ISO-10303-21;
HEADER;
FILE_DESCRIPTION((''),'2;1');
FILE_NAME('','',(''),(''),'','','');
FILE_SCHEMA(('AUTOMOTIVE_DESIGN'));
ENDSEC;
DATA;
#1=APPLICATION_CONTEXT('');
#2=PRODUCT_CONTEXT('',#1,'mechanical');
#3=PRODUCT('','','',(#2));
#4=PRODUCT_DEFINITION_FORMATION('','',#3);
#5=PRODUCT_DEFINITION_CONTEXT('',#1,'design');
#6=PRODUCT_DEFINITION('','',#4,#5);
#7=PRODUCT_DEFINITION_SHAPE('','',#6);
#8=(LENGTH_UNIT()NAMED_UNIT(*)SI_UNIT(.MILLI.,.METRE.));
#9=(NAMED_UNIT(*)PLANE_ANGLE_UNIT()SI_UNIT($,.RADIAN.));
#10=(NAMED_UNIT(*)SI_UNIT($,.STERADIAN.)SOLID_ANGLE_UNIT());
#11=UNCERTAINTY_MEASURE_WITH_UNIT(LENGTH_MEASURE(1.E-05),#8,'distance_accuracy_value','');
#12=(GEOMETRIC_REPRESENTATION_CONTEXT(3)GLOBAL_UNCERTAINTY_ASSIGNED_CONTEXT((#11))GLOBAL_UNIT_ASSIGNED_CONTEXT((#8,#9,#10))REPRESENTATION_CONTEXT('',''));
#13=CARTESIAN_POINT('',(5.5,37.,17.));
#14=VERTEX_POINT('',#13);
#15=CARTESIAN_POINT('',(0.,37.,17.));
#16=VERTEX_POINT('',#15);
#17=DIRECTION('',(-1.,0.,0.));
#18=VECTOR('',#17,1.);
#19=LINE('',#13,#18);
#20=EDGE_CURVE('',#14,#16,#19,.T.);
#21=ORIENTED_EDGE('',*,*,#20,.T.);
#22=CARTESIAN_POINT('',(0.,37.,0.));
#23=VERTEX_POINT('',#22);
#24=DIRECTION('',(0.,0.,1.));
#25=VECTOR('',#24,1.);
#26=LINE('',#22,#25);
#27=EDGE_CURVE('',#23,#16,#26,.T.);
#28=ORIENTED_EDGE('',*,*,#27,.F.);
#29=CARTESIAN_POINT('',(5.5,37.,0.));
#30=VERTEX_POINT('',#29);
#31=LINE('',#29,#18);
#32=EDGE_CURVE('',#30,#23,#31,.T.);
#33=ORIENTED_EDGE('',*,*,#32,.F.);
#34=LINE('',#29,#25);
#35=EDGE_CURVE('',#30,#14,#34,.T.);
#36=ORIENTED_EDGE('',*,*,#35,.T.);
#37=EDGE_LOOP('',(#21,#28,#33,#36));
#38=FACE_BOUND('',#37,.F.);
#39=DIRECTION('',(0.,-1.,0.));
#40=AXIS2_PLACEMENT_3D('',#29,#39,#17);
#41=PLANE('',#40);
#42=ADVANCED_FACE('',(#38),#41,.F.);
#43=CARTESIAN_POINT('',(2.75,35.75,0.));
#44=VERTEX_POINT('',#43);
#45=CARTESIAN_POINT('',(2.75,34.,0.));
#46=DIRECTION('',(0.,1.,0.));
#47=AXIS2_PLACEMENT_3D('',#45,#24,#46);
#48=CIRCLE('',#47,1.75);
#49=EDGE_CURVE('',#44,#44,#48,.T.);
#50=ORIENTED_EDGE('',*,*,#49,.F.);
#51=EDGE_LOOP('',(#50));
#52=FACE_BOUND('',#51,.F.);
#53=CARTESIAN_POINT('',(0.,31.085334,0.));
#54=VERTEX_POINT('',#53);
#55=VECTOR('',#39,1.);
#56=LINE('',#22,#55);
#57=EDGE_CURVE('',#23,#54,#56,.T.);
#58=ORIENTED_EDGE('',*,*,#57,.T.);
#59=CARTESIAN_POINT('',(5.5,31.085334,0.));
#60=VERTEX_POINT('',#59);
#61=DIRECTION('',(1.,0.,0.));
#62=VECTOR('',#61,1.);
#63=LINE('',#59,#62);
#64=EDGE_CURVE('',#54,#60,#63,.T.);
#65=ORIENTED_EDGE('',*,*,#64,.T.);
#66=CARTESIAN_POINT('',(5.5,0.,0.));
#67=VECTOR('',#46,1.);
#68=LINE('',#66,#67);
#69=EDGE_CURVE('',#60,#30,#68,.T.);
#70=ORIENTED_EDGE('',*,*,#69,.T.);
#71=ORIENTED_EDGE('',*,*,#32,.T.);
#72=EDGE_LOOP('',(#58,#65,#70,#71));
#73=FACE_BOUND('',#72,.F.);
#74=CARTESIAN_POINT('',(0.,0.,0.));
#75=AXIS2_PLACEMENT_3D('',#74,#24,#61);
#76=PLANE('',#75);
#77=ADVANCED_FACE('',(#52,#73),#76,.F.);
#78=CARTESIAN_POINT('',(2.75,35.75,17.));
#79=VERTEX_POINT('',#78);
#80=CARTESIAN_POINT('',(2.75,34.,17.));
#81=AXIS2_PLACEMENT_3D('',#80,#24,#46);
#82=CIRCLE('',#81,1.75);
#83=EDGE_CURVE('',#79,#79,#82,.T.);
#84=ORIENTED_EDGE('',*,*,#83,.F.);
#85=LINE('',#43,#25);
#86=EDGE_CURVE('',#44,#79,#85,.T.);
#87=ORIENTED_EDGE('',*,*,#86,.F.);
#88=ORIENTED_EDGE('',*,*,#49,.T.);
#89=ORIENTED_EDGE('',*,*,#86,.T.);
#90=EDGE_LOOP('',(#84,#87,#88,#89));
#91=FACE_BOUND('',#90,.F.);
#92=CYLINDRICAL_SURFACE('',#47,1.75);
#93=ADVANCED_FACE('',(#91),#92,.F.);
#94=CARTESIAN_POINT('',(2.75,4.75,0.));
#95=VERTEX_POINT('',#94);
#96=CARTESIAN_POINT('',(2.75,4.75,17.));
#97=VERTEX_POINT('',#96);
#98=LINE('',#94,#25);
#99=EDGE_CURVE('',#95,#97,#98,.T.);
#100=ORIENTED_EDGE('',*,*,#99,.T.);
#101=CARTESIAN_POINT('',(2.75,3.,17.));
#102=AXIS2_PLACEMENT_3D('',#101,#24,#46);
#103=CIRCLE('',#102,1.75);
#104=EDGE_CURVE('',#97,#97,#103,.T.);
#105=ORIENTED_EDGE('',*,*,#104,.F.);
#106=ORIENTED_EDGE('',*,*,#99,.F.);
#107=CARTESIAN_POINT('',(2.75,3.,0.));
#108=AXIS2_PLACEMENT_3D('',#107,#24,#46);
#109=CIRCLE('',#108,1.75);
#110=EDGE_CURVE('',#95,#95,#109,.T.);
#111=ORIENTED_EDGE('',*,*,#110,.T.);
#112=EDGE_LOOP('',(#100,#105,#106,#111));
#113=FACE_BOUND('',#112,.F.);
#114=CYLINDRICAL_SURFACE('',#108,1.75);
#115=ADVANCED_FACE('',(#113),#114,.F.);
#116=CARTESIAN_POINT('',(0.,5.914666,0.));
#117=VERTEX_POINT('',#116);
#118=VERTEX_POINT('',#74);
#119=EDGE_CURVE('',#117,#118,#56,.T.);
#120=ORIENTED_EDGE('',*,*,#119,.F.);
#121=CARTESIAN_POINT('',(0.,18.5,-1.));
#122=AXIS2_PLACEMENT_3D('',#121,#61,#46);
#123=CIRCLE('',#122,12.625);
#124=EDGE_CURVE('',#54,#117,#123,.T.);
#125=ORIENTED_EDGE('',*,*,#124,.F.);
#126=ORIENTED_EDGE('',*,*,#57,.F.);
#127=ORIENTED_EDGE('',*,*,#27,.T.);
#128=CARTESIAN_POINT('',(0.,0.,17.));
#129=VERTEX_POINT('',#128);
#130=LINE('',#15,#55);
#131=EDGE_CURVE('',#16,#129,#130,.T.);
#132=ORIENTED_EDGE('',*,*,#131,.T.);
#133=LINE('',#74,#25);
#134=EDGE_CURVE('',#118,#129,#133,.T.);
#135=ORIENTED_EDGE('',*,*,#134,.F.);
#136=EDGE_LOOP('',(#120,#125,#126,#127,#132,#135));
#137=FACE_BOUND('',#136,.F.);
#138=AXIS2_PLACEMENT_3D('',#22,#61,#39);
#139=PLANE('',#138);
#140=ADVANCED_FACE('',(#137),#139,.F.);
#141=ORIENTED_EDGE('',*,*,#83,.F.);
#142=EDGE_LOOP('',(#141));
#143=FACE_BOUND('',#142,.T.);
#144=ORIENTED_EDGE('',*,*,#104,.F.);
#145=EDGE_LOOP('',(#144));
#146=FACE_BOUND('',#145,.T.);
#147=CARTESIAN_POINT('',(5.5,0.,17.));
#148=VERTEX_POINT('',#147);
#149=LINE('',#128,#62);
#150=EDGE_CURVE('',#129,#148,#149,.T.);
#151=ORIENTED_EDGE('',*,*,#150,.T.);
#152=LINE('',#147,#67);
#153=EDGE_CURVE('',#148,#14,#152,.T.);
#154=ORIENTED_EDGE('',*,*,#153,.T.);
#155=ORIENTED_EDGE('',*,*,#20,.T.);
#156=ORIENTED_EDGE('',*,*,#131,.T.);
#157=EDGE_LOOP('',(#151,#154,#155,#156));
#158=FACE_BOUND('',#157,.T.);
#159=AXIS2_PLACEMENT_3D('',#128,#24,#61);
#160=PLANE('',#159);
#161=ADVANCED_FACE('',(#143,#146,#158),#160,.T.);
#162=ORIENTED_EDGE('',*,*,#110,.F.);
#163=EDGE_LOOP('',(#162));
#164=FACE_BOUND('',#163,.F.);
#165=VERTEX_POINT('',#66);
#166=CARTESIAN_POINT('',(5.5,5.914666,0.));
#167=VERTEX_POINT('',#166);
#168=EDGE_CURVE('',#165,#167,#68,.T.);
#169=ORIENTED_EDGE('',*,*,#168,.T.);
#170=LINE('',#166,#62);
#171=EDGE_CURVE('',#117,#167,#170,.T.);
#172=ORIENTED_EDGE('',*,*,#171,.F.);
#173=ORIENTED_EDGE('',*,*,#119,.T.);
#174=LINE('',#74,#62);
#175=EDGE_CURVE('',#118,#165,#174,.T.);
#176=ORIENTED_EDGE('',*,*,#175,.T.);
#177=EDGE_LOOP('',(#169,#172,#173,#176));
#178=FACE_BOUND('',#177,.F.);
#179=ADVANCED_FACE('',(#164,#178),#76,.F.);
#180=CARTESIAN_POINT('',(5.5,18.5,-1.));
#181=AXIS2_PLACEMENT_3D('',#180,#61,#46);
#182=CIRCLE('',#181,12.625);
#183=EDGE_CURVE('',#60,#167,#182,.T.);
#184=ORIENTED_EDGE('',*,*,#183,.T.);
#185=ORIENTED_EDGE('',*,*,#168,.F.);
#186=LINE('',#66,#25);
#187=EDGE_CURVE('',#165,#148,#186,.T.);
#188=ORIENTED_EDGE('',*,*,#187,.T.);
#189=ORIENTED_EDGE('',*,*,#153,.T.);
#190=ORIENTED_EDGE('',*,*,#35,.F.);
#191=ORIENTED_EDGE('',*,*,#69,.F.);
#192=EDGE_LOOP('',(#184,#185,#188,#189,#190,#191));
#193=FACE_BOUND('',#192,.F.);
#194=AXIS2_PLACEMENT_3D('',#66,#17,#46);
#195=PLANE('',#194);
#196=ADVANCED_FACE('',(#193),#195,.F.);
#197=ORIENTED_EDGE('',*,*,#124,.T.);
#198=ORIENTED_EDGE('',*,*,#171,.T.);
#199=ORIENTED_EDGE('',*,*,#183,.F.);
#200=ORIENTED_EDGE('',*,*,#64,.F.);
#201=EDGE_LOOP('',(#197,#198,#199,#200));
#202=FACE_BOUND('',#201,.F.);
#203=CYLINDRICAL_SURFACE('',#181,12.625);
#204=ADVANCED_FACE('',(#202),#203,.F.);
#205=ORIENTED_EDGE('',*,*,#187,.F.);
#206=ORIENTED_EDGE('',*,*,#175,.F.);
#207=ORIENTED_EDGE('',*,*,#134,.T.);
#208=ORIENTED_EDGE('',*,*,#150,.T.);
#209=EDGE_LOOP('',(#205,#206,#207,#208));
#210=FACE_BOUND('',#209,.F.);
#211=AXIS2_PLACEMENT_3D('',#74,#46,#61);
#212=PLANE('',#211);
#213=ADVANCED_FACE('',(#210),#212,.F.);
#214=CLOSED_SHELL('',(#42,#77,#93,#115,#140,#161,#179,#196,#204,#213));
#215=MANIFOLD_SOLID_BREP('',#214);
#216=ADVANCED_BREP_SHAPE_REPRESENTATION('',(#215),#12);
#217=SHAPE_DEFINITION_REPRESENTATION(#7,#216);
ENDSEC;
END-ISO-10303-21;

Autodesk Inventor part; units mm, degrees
ref_plane "YZ Plane" through (0, 0, 0) normal (1, 0, 0) x (0, 1, 0)
ref_plane "XZ Plane" through (0, 0, 0) normal (0, 1, 0) x (-1, 0, 0)
ref_plane "XY Plane" through (0, 0, 0) normal (0, 0, 1) x (1, 0, 0)
sketch "Sketch1" plane through (0, 0, 0) normal (0, 0, 1) x (1, 0, 0)
  line L0 (0, 0) -> (5.5, 0)
  line L1 (5.5, 0) -> (5.5, 37)
  line L2 (5.5, 37) -> (0, 37)
  line L3 (0, 37) -> (0, 0)
  line L4 (0, 0) -> (5.5, 0)
  line L5 (5.5, 0) -> (5.5, 37)
  line L6 (5.5, 37) -> (0, 37)
  line L7 (0, 37) -> (0, 0)
  line L8 (0, 0) -> (5.5, 0)
  line L9 (5.5, 0) -> (5.5, 37)
  line L10 (5.5, 37) -> (0, 37)
  line L11 (0, 37) -> (0, 0)
  line L12 (0, 0) -> (5.5, 0)
  line L13 (5.5, 0) -> (5.5, 37)
  line L14 (5.5, 37) -> (0, 37)
  line L15 (0, 37) -> (0, 0)
  point P0 (2.75, 34)
  point P1 (2.75, 3)
  point P2 (2.75, 34)
  point P3 (2.75, 3)
  point P4 (2.75, 34)
  point P5 (2.75, 3)
  point P6 (2.75, 34)
  point P7 (2.75, 3)
  dimension "d0" = 5.5
  dimension "d1" = 37
  dimension "d2" = 3
  dimension "d3" = 2.75
  dimension "d4" = 3
  dimension "d5" = 5.5
  dimension "d6" = 37
  dimension "d7" = 3
  dimension "d8" = 2.75
  dimension "d9" = 3
  dimension "d10" = 5.5
  dimension "d11" = 37
  dimension "d12" = 3
  dimension "d13" = 2.75
  dimension "d14" = 3
  dimension "d15" = 5.5
  dimension "d16" = 37
  dimension "d17" = 3
  dimension "d18" = 2.75
  dimension "d19" = 3
extrude "Extrusion1" add sketch "Sketch1" along normal blind 17
sketch "Sketch2" plane through (0, 0, 0) normal (0, 0, 1) x (1, 0, 0)
  line L0 (0, 0) -> (5.5, 0)
  line L1 (5.5, 0) -> (5.5, 37)
  line L2 (5.5, 37) -> (0, 37)
  line L3 (0, 37) -> (0, 0)
  line L4 (0, 0) -> (5.5, 0)
  line L5 (5.5, 0) -> (5.5, 37)
  line L6 (5.5, 37) -> (0, 37)
  line L7 (0, 37) -> (0, 0)
  line L8 (0, 0) -> (5.5, 0)
  line L9 (5.5, 0) -> (5.5, 37)
  line L10 (5.5, 37) -> (0, 37)
  line L11 (0, 37) -> (0, 0)
  line L12 (0, 0) -> (5.5, 0)
  line L13 (5.5, 0) -> (5.5, 37)
  line L14 (5.5, 37) -> (0, 37)
  line L15 (0, 37) -> (0, 0)
  point P0 (2.75, 34)
  point P1 (2.75, 3)
  point P2 (2.75, 34)
  point P3 (2.75, 3)
  point P4 (2.75, 34)
  point P5 (2.75, 3)
  point P6 (2.75, 34)
  point P7 (2.75, 3)
  dimension "d20" = 5.5
  dimension "d21" = 37
  dimension "d22" = 3
  dimension "d23" = 2.75
  dimension "d24" = 3
  dimension "d25" = 5.5
  dimension "d26" = 37
  dimension "d27" = 3
  dimension "d28" = 2.75
  dimension "d29" = 3
  dimension "d30" = 5.5
  dimension "d31" = 37
  dimension "d32" = 3
  dimension "d33" = 2.75
  dimension "d34" = 3
  dimension "d35" = 5.5
  dimension "d36" = 37
  dimension "d37" = 3
  dimension "d38" = 2.75
  dimension "d39" = 3
hole "Hole1" at (2.75, 34, 0) at (2.75, 3, 0) direction (0, 0, 1) diameter 3.5 end through all
sketch "Sketch3" plane through (5.5, 0, 0) normal (1, 0, 0) x (0, 0, -1)
  line L0 (0, 0) -> (-17, 0) projected
  line L1 (-17, 0) -> (1, 0)
  line L2 (1, 0) -> (1, 37)
  line L3 (1, 37) -> (-17, 37)
  line L4 (-17, 37) -> (-17, 0)
  arc A0 (1, 31.125) -> (1, 5.875) centre (1, 18.5) ccw
  dimension "d49" = 18
  dimension "d50" = 25.25
extrude "Extrusion2" cut sketch "Sketch3" against normal blind 5.5 contours A0 L2
properties part number "SujetadorColaVTOLv2"
